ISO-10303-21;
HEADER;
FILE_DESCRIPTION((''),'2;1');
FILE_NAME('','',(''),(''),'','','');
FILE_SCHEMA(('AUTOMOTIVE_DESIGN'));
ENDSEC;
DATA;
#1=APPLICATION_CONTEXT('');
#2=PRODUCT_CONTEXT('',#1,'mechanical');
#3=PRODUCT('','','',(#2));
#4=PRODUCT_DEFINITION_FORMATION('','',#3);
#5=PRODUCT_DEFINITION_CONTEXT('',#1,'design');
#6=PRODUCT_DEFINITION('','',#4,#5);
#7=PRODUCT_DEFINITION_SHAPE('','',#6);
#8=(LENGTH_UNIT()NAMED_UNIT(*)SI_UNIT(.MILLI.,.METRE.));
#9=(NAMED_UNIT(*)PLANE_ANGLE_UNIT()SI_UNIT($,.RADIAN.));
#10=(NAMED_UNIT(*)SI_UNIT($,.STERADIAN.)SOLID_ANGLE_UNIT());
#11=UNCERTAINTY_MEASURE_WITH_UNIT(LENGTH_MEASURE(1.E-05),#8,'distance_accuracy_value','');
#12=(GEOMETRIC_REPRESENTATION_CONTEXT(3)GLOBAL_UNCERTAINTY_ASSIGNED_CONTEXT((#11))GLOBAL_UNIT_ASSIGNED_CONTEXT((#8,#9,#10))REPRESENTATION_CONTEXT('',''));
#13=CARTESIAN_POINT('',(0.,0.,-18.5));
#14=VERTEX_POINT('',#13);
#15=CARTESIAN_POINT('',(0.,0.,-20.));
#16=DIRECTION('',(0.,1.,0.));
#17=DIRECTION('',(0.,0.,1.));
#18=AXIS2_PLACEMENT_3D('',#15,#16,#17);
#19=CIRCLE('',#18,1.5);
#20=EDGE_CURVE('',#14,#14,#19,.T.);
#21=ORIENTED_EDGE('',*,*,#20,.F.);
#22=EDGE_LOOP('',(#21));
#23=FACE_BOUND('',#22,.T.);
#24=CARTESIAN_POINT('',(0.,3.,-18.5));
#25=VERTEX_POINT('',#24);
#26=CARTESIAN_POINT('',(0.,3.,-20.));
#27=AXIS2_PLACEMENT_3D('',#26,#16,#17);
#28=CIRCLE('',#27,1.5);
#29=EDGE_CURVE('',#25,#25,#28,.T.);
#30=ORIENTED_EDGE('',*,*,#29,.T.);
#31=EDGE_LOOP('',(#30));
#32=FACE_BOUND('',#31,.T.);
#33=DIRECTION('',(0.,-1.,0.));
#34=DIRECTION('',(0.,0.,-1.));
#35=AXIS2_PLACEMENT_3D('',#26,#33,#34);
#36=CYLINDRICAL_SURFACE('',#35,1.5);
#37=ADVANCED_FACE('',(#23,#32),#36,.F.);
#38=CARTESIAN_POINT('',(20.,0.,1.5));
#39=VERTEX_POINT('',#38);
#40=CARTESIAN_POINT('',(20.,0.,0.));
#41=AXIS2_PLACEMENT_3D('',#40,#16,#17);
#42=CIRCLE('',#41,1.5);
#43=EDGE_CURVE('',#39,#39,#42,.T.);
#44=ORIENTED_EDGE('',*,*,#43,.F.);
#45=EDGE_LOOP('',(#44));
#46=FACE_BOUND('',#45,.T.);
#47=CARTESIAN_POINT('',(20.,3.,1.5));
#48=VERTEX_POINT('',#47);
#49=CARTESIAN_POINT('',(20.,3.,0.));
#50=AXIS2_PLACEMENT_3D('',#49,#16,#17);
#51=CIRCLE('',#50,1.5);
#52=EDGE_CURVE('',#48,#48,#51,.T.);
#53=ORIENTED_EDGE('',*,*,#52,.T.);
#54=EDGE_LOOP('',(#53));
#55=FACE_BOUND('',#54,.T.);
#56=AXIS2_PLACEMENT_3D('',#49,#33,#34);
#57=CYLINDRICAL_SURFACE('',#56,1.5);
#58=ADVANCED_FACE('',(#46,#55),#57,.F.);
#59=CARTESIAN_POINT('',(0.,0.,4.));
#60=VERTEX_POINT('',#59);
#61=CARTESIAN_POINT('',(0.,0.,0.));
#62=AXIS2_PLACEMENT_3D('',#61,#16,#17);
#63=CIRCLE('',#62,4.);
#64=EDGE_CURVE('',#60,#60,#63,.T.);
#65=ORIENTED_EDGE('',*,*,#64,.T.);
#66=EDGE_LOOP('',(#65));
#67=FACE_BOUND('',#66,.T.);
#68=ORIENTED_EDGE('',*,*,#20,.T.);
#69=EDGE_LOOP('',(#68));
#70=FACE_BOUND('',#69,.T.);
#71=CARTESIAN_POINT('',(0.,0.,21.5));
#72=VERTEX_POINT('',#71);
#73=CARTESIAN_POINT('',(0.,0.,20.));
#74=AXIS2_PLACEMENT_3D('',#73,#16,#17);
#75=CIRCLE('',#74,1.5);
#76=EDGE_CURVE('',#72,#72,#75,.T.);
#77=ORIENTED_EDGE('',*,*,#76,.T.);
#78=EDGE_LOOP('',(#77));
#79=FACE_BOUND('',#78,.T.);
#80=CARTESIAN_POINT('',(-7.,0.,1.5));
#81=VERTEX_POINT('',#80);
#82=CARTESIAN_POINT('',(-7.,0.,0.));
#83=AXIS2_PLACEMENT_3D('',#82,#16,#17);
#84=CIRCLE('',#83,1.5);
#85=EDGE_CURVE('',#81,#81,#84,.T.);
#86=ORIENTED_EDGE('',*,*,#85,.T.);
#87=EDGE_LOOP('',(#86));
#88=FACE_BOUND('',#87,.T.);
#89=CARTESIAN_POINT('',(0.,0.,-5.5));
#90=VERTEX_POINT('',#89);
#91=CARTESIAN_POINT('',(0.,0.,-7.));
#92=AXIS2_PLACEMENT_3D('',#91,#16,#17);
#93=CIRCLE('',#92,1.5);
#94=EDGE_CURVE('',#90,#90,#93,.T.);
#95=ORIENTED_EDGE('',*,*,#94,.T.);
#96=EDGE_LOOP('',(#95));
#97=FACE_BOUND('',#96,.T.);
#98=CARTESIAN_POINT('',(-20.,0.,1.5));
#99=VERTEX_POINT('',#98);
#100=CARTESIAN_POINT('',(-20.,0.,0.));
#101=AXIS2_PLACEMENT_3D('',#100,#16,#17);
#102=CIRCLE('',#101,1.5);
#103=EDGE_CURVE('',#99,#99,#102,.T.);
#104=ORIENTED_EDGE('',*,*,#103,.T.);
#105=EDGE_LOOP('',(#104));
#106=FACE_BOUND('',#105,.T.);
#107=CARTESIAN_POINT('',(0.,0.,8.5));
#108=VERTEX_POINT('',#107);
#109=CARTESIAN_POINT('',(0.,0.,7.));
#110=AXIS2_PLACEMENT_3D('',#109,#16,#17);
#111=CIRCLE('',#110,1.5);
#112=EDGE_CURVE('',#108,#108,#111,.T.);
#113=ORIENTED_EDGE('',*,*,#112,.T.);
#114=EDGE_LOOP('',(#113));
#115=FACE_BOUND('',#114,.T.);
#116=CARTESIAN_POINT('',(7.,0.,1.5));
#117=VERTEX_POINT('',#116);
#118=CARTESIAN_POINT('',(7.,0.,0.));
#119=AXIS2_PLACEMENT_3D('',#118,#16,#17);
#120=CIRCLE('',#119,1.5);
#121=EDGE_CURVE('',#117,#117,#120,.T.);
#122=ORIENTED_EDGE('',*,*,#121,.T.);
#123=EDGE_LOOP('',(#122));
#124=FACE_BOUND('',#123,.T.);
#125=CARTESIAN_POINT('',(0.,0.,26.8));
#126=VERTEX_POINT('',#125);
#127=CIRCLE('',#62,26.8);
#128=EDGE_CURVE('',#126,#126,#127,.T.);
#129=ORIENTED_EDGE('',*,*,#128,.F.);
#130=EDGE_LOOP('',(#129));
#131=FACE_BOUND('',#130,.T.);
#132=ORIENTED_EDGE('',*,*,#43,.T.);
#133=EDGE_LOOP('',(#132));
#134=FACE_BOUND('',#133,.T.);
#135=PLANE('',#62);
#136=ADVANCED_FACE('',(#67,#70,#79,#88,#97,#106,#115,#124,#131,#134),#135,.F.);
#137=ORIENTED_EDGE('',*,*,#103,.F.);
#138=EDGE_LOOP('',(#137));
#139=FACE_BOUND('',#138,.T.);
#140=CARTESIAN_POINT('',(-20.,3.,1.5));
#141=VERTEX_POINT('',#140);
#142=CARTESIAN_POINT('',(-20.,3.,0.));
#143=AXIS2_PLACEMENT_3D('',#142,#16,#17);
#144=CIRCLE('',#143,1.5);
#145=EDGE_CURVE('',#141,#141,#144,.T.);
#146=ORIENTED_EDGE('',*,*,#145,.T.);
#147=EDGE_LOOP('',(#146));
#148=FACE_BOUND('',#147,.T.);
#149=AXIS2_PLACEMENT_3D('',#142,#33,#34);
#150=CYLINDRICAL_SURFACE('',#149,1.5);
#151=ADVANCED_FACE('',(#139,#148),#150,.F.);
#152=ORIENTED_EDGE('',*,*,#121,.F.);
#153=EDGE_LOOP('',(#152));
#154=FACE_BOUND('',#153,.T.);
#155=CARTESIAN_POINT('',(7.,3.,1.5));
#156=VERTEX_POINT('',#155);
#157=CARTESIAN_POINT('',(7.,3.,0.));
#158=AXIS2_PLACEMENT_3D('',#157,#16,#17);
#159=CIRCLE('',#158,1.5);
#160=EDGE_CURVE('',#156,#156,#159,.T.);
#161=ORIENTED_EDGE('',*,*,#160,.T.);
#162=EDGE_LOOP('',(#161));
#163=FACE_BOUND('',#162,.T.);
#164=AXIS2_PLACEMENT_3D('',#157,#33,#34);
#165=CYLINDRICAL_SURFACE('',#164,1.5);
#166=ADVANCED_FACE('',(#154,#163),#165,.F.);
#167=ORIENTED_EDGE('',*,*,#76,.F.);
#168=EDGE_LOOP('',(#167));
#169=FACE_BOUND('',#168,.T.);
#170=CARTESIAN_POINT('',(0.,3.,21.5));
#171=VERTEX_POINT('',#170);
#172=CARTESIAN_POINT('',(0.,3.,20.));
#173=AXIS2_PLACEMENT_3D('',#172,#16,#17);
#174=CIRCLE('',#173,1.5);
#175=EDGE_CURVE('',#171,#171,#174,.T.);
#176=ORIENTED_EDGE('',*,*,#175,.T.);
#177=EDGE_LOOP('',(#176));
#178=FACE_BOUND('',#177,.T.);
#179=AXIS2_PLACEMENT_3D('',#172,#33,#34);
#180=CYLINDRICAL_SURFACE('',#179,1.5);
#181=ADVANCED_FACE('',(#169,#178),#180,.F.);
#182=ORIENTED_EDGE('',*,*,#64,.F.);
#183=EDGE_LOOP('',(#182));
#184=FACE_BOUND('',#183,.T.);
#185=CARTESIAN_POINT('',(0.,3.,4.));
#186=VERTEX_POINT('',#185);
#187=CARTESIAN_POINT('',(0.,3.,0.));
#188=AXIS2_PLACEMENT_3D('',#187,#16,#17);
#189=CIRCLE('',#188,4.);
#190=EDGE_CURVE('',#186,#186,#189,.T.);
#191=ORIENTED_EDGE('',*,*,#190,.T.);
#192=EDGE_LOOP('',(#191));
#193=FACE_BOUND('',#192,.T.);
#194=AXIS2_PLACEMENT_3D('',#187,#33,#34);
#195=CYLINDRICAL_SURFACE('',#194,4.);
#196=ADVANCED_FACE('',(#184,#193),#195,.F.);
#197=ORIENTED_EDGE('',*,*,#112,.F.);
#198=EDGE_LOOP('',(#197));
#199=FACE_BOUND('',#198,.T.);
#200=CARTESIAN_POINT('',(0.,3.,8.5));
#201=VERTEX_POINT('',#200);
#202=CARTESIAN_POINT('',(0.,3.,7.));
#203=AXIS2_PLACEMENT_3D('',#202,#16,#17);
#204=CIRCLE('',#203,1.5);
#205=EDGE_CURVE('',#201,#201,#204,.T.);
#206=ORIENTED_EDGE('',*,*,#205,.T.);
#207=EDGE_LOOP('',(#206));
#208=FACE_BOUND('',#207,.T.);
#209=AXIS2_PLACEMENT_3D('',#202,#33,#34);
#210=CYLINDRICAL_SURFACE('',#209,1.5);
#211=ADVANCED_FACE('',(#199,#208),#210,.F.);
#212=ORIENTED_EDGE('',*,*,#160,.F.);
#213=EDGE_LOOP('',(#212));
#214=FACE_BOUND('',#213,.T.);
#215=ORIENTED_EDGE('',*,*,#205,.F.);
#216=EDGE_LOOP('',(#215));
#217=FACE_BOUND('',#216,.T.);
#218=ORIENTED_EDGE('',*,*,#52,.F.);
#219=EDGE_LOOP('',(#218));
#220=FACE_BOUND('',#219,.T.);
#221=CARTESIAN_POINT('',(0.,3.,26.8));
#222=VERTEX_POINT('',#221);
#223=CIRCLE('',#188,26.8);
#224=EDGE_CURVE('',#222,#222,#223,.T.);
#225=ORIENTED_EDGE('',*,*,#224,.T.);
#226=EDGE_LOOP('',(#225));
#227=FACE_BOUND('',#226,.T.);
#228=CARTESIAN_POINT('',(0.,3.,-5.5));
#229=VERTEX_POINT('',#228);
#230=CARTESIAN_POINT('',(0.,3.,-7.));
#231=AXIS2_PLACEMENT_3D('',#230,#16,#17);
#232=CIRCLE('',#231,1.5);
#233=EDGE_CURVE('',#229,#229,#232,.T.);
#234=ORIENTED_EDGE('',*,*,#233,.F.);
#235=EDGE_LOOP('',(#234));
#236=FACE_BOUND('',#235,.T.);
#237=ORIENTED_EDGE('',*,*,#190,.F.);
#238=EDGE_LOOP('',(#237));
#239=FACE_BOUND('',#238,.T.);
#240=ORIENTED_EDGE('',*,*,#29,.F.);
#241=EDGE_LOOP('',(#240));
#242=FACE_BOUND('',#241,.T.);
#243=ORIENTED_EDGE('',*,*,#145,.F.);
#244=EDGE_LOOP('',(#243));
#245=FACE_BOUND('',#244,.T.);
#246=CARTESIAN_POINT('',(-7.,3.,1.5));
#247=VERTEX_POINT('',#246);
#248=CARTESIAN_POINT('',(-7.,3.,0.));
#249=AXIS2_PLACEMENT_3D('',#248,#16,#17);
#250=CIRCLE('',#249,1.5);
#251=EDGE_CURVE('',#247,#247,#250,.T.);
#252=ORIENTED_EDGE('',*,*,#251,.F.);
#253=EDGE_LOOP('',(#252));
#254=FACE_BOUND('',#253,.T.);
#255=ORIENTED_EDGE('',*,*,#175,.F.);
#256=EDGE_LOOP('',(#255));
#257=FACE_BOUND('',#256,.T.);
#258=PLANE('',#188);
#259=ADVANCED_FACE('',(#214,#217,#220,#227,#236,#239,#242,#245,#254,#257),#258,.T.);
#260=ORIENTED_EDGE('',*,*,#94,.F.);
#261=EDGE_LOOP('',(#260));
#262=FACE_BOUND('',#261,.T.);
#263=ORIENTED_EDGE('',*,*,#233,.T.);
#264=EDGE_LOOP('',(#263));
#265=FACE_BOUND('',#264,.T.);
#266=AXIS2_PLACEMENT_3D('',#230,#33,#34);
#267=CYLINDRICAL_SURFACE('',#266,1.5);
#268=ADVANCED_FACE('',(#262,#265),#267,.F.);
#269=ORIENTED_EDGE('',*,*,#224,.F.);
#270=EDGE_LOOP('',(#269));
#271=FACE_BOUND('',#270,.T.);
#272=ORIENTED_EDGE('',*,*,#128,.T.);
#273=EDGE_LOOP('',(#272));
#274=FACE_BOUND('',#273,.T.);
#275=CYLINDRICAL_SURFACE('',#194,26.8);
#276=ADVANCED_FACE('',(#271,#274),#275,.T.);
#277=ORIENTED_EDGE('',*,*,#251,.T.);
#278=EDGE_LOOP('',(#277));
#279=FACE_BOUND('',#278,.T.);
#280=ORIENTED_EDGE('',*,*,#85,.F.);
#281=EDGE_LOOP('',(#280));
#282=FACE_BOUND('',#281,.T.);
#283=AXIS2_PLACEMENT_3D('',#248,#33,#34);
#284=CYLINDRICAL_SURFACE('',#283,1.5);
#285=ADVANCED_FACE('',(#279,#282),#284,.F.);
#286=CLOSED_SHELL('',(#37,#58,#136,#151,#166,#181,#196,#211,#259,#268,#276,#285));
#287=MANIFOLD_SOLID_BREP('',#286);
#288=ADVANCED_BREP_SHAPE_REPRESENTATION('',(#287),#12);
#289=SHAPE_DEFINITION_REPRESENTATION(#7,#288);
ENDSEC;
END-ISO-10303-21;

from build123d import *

# Parameters (mm, degrees)
SKETCH_1_R      = 26.8
SKETCH_1_R_2    = 4
SKETCH_1_R_3    = 1.5
EXTRUDE_2_DEPTH = 3


with BuildPart() as part:
    # 草图1 → 凸台-拉伸2 (new body)
    with BuildSketch(Plane(origin=(0, 0, 0), x_dir=(1, 0, 0), z_dir=(0, 1, 0))):
        with Locations(Location((0, 0, 0), (0, 0, 270))):
            Circle(SKETCH_1_R)
        with Locations(Location((0, 0, 0), (0, 0, 270))):
            Circle(SKETCH_1_R_2, mode=Mode.SUBTRACT)
        with Locations(Location((0, 20, 0), (0, 0, 270))):
            Circle(SKETCH_1_R_3, mode=Mode.SUBTRACT)
        with Locations(Location((-20, 0, 0), (0, 0, 270))):
            Circle(SKETCH_1_R_3, mode=Mode.SUBTRACT)
        with Locations(Location((-7, 0, 0), (0, 0, 270))):
            Circle(SKETCH_1_R_3, mode=Mode.SUBTRACT)
        with Locations(Location((0, 7, 0), (0, 0, 270))):
            Circle(SKETCH_1_R_3, mode=Mode.SUBTRACT)
        with Locations(Location((0, -7, 0), (0, 0, 270))):
            Circle(SKETCH_1_R_3, mode=Mode.SUBTRACT)
        with Locations(Location((0, -20, 0), (0, 0, 270))):
            Circle(SKETCH_1_R_3, mode=Mode.SUBTRACT)
        with Locations(Location((7, 0, 0), (0, 0, 270))):
            Circle(SKETCH_1_R_3, mode=Mode.SUBTRACT)
        with Locations(Location((20, 0, 0), (0, 0, 270))):
            Circle(SKETCH_1_R_3, mode=Mode.SUBTRACT)
    extrude(amount=EXTRUDE_2_DEPTH)


solid = part.part
